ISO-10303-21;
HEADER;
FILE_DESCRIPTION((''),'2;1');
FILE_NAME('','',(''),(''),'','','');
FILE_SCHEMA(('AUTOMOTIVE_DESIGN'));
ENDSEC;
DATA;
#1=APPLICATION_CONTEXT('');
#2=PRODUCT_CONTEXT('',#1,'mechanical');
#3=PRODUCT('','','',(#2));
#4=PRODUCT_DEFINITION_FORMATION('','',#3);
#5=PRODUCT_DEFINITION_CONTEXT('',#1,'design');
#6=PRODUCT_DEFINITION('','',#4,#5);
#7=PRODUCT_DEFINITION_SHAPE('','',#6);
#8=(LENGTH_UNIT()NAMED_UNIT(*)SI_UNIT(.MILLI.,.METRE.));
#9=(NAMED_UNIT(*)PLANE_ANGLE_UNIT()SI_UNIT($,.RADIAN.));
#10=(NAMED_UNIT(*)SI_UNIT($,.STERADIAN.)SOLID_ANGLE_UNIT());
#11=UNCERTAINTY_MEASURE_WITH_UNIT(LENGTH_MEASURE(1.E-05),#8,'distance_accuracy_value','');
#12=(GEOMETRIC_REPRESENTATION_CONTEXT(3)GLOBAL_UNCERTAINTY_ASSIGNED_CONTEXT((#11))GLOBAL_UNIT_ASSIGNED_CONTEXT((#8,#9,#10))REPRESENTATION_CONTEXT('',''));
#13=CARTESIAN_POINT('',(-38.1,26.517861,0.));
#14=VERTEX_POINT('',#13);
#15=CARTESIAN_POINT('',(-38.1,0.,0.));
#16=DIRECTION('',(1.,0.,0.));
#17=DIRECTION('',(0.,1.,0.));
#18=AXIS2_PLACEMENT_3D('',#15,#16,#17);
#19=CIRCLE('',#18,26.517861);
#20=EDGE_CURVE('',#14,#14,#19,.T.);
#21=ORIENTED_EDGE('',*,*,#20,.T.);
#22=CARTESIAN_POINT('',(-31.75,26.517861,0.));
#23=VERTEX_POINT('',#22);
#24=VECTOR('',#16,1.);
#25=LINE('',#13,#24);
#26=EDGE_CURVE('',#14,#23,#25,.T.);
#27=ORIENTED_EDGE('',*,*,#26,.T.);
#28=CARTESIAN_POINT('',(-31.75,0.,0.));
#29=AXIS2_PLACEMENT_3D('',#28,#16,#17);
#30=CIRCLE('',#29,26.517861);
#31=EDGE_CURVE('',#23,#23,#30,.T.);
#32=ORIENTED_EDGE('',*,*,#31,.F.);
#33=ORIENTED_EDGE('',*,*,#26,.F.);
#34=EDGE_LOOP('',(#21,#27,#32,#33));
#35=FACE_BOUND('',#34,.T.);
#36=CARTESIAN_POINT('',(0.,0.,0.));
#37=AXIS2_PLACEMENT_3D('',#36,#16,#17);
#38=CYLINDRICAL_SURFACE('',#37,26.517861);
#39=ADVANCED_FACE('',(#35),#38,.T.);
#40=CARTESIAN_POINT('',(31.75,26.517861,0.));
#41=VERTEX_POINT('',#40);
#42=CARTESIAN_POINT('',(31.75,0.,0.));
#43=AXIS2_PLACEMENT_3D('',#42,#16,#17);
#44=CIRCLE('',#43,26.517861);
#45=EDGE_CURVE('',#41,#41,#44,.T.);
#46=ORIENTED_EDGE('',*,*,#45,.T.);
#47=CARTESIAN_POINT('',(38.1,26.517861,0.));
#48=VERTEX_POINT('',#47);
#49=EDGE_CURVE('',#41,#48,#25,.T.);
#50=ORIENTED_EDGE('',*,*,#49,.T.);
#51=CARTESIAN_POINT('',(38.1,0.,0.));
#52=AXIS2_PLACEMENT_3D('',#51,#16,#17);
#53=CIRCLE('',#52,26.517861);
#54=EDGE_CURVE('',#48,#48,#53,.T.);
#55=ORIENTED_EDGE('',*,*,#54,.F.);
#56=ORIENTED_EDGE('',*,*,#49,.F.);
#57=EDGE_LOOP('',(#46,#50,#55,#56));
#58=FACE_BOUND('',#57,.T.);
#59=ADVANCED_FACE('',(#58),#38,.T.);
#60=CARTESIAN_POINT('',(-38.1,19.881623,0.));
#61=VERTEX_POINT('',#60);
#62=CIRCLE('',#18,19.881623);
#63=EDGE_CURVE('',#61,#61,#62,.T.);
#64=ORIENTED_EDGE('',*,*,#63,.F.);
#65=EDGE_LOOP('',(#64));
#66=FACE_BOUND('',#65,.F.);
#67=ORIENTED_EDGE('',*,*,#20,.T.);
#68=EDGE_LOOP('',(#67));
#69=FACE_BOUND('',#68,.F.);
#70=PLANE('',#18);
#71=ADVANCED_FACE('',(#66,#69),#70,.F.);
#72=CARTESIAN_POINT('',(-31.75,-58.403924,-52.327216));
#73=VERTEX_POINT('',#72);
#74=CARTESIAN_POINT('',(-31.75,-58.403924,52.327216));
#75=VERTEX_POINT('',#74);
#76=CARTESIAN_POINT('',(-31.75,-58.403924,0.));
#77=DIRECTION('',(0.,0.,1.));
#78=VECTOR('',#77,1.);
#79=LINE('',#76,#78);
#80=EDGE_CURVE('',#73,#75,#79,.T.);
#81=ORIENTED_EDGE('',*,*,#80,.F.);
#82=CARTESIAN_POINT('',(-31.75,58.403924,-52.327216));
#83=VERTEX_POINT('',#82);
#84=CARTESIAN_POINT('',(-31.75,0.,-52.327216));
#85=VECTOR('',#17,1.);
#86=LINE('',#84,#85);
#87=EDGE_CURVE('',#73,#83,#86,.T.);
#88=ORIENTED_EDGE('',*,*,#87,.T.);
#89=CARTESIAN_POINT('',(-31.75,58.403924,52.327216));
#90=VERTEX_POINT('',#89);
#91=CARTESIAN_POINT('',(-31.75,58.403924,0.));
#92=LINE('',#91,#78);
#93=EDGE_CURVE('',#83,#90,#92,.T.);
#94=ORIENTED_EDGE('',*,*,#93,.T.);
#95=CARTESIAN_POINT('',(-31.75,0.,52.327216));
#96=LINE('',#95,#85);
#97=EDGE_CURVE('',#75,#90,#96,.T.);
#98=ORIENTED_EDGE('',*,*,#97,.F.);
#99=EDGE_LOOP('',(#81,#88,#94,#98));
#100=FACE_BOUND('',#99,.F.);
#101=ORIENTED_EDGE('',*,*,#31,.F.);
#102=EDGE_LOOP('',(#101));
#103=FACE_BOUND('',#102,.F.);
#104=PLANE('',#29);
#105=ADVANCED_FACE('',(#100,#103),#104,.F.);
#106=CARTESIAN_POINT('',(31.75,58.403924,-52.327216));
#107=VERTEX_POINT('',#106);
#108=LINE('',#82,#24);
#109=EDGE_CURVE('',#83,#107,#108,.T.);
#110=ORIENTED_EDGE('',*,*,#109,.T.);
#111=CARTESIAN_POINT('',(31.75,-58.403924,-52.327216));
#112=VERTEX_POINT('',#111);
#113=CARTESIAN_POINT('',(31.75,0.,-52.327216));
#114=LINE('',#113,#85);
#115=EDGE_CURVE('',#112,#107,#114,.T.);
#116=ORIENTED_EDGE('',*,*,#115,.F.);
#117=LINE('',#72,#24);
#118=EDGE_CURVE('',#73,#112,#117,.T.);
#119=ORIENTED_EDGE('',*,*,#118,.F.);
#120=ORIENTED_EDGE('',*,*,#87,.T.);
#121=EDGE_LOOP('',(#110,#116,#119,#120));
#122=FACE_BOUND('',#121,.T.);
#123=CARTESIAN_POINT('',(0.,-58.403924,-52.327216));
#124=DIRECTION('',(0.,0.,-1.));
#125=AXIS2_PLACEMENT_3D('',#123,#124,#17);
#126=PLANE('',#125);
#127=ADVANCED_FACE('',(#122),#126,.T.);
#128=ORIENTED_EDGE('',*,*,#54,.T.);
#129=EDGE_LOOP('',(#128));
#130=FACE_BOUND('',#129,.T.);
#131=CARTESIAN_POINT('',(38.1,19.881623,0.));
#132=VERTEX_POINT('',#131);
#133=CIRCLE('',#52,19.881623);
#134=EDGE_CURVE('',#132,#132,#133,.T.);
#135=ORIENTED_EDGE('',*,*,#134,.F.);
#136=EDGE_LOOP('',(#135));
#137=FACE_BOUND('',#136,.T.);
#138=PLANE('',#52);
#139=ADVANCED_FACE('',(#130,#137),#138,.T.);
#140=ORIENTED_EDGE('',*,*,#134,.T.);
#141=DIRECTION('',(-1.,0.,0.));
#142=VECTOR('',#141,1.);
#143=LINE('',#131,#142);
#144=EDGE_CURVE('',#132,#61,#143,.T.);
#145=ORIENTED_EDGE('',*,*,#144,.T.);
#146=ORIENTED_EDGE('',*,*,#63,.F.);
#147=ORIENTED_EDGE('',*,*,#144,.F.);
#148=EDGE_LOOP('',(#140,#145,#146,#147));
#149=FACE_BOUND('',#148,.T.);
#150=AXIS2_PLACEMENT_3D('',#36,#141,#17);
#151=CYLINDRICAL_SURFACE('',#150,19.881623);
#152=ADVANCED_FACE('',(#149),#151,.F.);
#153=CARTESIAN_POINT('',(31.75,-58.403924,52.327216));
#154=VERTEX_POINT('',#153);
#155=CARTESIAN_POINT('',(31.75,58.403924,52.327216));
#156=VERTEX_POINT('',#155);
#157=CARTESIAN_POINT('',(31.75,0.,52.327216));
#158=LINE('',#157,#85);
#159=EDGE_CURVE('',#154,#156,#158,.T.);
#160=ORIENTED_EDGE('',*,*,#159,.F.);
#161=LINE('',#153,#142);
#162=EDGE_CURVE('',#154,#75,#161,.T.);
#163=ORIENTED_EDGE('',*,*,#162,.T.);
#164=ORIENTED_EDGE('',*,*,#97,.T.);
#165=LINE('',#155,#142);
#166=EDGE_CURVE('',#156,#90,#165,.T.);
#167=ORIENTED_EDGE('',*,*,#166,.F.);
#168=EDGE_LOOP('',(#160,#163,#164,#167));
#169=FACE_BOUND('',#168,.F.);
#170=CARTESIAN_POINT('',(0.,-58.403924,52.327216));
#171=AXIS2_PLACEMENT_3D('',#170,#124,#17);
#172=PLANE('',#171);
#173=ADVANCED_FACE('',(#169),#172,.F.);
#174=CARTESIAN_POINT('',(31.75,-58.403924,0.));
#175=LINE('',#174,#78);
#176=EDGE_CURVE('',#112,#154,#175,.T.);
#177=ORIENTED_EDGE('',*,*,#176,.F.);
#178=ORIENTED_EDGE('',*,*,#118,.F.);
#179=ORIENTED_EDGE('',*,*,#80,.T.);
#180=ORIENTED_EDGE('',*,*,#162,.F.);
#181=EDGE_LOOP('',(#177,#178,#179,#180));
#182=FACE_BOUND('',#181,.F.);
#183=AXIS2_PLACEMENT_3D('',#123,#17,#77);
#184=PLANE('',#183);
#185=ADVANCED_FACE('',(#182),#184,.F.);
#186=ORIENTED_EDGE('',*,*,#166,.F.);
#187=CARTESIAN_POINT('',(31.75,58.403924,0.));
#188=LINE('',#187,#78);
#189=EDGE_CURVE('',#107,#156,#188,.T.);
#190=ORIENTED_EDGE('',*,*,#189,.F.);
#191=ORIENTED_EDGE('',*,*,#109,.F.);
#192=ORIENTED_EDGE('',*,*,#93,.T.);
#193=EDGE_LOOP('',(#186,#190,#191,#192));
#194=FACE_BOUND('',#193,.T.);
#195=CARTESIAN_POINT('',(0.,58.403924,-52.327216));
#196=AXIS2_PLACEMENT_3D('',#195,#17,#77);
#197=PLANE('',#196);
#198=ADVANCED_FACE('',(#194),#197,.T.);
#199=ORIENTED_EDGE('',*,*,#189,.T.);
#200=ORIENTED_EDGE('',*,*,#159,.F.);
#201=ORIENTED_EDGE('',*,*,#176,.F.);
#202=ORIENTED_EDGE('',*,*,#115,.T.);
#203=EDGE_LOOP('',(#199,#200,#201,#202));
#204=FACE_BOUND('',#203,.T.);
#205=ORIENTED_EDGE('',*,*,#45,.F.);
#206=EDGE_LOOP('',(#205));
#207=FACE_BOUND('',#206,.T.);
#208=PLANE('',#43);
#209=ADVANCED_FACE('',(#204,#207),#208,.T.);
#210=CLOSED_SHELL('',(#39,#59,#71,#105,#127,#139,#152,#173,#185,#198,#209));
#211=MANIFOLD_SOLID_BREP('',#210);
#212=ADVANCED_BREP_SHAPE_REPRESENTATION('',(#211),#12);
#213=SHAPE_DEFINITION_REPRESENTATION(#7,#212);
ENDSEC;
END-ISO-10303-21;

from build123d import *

# Parameters (mm, degrees)
F0_W     = 116.807848
F0_H     = 104.654432
F0_R     = 26.517861
F1_DEPTH = 31.75
F0_R_2   = 19.881623
F2_DEPTH = 38.1


with BuildPart() as f1:
    # F0 (on Right) → F1 (new body, symmetric)
    with BuildSketch(Plane.YZ):
        Rectangle(F0_W, F0_H)
        Circle(F0_R, mode=Mode.SUBTRACT)
    extrude(amount=F1_DEPTH, both=True)

    # F0 (on Right) → F2 (join, symmetric)
    with BuildSketch(Plane.YZ):
        Circle(F0_R)
        Circle(F0_R_2, mode=Mode.SUBTRACT)
    extrude(amount=F2_DEPTH, both=True)


solid = f1.part
